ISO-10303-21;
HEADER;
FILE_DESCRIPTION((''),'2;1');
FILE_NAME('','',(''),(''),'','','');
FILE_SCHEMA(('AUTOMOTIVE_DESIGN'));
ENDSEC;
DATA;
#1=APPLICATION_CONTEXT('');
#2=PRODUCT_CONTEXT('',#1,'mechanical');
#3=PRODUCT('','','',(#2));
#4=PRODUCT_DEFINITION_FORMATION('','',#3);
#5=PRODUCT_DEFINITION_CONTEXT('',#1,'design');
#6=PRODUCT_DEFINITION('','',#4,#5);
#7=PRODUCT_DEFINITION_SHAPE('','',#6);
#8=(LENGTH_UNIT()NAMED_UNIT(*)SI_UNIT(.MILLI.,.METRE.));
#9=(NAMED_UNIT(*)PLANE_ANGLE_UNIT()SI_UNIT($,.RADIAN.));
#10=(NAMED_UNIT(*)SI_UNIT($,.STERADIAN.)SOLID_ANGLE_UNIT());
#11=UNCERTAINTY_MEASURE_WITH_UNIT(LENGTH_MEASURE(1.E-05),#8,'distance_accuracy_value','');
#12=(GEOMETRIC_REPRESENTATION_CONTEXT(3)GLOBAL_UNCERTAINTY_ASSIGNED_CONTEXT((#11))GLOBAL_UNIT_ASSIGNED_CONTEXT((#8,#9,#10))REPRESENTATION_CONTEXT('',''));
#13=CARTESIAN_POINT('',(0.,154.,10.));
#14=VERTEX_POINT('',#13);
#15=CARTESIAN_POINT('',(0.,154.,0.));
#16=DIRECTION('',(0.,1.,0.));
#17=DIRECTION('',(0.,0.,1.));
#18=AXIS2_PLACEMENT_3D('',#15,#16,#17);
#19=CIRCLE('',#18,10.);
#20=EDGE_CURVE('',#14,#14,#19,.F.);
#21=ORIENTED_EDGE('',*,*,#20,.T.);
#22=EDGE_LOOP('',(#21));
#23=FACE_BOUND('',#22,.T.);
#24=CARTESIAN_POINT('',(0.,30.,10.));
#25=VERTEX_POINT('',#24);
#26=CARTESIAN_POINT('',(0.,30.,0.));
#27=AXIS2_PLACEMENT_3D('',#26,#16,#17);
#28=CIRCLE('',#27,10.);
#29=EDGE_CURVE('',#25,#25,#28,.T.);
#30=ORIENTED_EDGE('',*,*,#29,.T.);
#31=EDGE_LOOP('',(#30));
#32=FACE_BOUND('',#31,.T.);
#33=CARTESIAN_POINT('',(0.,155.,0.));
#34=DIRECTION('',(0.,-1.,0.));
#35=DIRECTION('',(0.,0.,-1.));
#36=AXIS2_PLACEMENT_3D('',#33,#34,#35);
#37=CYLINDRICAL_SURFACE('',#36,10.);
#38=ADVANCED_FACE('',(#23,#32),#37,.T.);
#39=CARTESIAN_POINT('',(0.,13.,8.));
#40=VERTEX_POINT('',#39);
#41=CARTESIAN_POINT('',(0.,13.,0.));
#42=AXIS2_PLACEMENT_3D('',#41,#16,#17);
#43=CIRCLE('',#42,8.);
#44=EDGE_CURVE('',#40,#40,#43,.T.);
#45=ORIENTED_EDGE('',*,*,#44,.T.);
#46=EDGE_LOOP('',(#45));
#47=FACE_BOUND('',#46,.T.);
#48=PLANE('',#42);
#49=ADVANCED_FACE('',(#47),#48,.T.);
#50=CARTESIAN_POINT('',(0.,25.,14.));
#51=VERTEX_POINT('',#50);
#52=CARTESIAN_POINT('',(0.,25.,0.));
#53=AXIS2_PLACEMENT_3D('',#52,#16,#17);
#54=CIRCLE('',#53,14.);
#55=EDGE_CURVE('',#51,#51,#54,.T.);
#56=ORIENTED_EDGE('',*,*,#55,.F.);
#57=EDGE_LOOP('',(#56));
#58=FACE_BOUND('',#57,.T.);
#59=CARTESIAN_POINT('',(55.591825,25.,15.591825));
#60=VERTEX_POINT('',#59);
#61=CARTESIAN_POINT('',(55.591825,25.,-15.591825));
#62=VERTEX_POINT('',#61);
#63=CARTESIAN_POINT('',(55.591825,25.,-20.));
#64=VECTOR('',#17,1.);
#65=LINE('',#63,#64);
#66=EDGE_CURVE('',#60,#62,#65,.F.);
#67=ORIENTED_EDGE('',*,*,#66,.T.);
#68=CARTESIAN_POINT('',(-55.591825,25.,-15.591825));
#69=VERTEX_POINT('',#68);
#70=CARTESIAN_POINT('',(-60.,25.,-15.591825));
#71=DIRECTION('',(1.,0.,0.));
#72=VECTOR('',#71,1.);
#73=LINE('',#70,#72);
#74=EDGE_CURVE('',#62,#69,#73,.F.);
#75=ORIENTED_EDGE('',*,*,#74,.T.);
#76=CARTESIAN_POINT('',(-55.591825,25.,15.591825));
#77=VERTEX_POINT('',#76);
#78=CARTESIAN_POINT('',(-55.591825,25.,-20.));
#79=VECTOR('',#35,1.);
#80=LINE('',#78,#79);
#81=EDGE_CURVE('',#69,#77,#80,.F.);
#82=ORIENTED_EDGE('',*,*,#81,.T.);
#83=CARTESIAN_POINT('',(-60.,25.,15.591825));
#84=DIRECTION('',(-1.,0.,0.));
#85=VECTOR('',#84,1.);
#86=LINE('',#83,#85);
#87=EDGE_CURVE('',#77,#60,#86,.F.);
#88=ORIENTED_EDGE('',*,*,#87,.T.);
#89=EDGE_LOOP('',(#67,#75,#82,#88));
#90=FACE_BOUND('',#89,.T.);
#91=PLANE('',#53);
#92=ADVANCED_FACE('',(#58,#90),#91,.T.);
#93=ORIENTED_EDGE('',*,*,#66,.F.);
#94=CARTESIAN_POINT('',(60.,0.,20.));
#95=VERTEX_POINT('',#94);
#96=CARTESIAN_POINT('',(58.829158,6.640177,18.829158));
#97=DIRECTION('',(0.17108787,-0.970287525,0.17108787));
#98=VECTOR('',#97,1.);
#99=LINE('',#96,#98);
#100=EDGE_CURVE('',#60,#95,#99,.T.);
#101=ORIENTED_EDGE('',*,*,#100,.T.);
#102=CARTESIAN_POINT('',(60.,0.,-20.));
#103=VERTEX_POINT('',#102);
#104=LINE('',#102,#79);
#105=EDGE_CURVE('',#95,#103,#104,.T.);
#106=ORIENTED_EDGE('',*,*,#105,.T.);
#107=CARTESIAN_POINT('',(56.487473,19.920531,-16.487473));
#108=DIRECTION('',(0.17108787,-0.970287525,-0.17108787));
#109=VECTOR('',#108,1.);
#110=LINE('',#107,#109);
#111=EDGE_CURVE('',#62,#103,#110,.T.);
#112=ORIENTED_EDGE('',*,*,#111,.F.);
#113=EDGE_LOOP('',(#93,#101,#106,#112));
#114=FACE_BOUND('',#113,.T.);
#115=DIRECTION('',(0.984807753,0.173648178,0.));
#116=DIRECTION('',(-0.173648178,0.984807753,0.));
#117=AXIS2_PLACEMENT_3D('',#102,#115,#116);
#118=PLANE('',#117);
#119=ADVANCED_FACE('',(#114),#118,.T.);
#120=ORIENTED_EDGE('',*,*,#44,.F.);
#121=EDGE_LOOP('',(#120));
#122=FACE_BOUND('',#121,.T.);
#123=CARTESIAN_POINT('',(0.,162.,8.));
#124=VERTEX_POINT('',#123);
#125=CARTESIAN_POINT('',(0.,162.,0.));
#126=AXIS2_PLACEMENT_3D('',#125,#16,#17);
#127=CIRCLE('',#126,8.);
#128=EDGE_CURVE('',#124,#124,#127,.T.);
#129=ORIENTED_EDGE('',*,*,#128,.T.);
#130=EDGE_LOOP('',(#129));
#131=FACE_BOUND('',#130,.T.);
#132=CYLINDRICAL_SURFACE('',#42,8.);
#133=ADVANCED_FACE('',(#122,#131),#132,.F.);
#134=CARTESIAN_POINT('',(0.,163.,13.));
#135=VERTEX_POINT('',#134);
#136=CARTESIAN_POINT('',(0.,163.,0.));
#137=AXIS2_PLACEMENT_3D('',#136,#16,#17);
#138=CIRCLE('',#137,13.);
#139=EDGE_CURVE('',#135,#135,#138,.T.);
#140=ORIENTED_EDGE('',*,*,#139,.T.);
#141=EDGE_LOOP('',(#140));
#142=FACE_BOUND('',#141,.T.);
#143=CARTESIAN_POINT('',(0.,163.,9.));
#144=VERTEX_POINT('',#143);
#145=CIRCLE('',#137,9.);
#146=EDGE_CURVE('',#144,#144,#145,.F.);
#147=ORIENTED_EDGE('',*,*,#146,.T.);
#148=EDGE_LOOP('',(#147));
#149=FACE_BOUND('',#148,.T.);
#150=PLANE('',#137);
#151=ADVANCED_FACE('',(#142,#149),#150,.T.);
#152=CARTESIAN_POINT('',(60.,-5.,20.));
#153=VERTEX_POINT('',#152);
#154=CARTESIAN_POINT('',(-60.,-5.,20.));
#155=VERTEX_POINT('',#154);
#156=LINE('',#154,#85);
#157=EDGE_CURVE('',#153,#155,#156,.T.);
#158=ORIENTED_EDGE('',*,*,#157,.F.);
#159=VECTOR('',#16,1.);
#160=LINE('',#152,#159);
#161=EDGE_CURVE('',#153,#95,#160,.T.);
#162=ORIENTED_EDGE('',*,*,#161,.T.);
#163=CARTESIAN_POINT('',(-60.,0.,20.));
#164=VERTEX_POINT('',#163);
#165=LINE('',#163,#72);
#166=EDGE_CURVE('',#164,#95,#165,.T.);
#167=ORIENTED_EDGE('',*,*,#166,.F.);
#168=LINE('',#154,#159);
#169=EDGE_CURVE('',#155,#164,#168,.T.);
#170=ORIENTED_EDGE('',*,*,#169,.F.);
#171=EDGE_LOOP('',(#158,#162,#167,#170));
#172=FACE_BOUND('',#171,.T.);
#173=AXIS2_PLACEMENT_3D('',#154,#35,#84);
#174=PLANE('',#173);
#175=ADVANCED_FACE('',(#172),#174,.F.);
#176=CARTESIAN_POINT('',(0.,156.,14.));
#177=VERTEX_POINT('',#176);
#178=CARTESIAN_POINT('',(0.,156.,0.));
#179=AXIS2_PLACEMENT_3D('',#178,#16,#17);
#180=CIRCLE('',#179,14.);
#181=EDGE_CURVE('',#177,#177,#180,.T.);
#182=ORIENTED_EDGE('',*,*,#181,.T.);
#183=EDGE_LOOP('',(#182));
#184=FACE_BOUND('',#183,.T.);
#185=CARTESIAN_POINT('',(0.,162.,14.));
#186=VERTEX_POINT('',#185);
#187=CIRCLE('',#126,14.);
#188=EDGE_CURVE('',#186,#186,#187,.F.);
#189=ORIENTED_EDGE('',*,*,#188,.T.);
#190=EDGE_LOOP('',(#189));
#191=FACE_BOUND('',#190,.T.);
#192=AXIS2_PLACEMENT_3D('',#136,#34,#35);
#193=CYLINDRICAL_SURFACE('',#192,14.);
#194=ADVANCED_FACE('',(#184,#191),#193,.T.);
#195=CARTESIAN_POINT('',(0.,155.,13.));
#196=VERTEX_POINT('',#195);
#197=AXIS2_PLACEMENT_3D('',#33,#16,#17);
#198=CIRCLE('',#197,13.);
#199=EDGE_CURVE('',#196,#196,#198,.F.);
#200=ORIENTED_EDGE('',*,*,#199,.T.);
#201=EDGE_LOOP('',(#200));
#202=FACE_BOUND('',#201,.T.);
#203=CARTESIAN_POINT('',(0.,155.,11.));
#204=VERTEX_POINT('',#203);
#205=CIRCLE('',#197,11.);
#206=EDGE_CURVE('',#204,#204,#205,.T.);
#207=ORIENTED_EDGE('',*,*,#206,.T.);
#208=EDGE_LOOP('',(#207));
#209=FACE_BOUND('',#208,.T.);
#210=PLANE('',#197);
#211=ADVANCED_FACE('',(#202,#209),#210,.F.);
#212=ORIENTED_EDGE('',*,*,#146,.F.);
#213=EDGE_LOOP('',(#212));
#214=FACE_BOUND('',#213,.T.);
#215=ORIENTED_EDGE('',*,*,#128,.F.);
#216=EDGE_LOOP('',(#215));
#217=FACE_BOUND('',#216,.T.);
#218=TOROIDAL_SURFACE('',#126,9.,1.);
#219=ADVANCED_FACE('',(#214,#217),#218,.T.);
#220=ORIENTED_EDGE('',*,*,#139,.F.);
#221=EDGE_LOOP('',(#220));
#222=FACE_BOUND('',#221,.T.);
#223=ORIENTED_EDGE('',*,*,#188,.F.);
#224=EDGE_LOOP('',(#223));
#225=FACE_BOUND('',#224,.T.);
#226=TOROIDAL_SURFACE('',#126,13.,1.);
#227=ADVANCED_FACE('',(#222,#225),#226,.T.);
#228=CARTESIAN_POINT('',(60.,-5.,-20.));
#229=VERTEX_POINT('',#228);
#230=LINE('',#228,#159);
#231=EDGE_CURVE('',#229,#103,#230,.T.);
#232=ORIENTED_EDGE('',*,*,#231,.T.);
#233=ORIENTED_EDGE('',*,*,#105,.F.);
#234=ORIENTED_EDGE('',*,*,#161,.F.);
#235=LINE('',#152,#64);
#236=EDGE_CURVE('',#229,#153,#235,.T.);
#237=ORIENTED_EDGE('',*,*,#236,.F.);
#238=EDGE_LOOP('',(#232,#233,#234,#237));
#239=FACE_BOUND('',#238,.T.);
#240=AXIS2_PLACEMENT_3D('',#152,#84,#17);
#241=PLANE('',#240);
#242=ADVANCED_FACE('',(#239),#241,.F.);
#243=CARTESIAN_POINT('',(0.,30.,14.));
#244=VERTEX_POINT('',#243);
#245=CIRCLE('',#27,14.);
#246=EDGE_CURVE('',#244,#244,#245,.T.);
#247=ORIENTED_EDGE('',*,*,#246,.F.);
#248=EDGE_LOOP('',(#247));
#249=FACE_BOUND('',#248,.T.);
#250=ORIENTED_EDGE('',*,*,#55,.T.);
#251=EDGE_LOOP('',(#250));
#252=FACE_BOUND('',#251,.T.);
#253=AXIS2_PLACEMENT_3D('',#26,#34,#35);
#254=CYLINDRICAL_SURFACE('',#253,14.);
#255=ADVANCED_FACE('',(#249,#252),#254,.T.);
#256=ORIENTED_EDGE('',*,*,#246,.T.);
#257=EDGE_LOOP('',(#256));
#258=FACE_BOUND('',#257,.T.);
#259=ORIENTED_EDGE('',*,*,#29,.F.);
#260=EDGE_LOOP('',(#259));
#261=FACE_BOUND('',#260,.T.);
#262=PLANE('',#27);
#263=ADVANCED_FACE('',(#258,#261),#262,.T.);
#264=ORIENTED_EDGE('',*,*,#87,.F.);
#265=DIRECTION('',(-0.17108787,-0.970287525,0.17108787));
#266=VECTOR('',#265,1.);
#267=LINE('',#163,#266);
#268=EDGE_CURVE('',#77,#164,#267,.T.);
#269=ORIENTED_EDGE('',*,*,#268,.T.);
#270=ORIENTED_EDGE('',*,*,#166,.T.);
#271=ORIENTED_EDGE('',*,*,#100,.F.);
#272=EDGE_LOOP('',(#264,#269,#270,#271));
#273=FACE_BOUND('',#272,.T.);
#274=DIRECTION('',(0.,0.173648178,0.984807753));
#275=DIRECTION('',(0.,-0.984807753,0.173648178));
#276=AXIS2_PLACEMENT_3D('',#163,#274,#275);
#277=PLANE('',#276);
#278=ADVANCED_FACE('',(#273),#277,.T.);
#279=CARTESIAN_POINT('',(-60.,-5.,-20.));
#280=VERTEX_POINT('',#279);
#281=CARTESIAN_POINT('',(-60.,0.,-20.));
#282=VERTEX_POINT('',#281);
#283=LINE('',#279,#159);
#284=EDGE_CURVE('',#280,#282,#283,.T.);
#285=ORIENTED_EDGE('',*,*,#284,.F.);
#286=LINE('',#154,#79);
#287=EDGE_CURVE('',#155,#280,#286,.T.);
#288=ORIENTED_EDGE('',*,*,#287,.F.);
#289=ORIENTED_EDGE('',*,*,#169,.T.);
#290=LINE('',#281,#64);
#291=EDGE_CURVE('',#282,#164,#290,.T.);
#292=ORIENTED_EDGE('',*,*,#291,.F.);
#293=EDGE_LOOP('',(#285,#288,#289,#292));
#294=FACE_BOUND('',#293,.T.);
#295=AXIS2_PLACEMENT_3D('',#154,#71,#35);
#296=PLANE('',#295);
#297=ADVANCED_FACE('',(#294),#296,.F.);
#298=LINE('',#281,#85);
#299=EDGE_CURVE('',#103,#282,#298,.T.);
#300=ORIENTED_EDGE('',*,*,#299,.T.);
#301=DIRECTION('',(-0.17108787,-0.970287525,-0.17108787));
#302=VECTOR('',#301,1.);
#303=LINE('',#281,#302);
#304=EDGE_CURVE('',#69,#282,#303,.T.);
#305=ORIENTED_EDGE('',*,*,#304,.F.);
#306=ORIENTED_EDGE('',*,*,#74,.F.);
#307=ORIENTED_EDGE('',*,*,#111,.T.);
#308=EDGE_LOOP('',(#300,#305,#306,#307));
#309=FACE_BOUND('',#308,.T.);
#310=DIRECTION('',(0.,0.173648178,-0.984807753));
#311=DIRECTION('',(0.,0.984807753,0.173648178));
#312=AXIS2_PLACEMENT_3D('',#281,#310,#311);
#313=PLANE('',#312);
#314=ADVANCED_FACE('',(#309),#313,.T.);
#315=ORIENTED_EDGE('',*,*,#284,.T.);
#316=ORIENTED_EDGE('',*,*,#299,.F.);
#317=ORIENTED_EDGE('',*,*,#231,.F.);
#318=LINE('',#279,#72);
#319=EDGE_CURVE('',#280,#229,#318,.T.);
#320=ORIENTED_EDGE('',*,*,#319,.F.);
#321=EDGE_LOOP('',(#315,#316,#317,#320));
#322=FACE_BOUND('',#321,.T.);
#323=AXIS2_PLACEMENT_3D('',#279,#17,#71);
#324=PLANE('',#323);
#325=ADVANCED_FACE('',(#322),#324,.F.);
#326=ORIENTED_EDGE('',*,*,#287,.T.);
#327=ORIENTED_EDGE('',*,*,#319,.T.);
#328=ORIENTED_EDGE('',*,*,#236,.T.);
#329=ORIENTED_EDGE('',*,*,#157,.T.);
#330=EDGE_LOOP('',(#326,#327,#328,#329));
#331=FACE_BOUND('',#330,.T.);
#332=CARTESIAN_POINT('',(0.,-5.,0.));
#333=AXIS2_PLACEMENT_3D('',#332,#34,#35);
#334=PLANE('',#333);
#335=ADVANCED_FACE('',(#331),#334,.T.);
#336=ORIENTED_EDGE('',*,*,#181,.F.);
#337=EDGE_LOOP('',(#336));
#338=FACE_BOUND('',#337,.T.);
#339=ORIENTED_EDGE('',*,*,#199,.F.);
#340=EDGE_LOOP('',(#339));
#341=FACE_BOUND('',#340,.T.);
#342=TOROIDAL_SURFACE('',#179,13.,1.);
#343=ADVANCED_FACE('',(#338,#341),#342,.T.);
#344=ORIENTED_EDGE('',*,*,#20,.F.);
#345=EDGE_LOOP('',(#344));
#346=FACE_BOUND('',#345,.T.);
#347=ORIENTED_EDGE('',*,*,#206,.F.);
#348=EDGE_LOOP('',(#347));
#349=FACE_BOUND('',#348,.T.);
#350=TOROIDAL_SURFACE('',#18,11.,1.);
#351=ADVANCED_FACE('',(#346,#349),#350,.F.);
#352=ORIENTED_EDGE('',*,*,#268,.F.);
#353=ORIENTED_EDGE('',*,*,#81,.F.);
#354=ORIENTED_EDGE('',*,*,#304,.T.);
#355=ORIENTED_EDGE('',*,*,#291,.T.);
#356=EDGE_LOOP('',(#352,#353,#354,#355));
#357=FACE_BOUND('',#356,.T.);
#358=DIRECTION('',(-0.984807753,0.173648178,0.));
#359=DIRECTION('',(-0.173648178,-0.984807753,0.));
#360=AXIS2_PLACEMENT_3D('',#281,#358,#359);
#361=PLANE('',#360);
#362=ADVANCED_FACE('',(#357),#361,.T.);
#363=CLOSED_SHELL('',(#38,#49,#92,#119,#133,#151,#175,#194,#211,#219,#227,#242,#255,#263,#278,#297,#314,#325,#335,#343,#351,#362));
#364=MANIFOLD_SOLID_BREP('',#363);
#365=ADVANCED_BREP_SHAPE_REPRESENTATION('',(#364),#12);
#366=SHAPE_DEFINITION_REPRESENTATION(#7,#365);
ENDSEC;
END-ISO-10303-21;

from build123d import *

# Parameters (mm, degrees)
SKETCH1_W           = 120
SKETCH1_H           = 40
BOSS_EXTRUDE1_DEPTH = 25
BOSS_EXTRUDE1_TAPER = 10
SKETCH2_R           = 14
BOSS_EXTRUDE2_DEPTH = 5
SKETCH3_R           = 10
BOSS_EXTRUDE3_DEPTH = 125
SKETCH4_R           = 14
BOSS_EXTRUDE4_DEPTH = 8
SKETCH5_R           = 8
CUT_EXTRUDE1_DEPTH  = 150
FILLET1_R           = 1
SKETCH6_W           = 120
SKETCH6_H           = 40
BOSS_EXTRUDE5_DEPTH = 5


with BuildPart() as part:
    # Sketch1 → Boss-Extrude1 (new body)
    with BuildSketch(Plane(origin=(0, 0, 0), x_dir=(1, 0, 0), z_dir=(0, 1, 0))):
        Rectangle(SKETCH1_W, SKETCH1_H)
    extrude(amount=BOSS_EXTRUDE1_DEPTH, taper=BOSS_EXTRUDE1_TAPER)

    # Sketch2 → Boss-Extrude2 (add)
    with BuildSketch(Plane(origin=(0, 25, 0), x_dir=(1, 0, 0), z_dir=(0, 1, 0))):
        Circle(SKETCH2_R)
    extrude(amount=BOSS_EXTRUDE2_DEPTH)

    # Sketch3 → Boss-Extrude3 (add)
    with BuildSketch(Plane(origin=(0, 30, 0), x_dir=(1, 0, 0), z_dir=(0, 1, 0))):
        Circle(SKETCH3_R)
    extrude(amount=BOSS_EXTRUDE3_DEPTH)

    # Sketch4 → Boss-Extrude4 (add)
    with BuildSketch(Plane(origin=(0, 155, 0), x_dir=(1, 0, 0), z_dir=(0, 1, 0))):
        Circle(SKETCH4_R)
    extrude(amount=BOSS_EXTRUDE4_DEPTH)

    # Sketch5 → Cut-Extrude1 (cut)
    with BuildSketch(Plane(origin=(0, 163, 0), x_dir=(1, 0, 0), z_dir=(0, 1, 0))):
        Circle(SKETCH5_R)
    extrude(amount=-CUT_EXTRUDE1_DEPTH, mode=Mode.SUBTRACT)

    # Fillet1
    fillet1_edges = [part.edges().sort_by_distance(p)[0] for p in [
        (-10, 155, 0),
        (-14, 155, 0),
        (-14, 163, 0),
        (-8, 163, 0),
    ]]
    fillet(fillet1_edges, radius=FILLET1_R)

    # Sketch6 → Boss-Extrude5 (add)
    with BuildSketch(Plane.XZ):
        Rectangle(SKETCH6_W, SKETCH6_H)
    extrude(amount=BOSS_EXTRUDE5_DEPTH)


solid = part.part
